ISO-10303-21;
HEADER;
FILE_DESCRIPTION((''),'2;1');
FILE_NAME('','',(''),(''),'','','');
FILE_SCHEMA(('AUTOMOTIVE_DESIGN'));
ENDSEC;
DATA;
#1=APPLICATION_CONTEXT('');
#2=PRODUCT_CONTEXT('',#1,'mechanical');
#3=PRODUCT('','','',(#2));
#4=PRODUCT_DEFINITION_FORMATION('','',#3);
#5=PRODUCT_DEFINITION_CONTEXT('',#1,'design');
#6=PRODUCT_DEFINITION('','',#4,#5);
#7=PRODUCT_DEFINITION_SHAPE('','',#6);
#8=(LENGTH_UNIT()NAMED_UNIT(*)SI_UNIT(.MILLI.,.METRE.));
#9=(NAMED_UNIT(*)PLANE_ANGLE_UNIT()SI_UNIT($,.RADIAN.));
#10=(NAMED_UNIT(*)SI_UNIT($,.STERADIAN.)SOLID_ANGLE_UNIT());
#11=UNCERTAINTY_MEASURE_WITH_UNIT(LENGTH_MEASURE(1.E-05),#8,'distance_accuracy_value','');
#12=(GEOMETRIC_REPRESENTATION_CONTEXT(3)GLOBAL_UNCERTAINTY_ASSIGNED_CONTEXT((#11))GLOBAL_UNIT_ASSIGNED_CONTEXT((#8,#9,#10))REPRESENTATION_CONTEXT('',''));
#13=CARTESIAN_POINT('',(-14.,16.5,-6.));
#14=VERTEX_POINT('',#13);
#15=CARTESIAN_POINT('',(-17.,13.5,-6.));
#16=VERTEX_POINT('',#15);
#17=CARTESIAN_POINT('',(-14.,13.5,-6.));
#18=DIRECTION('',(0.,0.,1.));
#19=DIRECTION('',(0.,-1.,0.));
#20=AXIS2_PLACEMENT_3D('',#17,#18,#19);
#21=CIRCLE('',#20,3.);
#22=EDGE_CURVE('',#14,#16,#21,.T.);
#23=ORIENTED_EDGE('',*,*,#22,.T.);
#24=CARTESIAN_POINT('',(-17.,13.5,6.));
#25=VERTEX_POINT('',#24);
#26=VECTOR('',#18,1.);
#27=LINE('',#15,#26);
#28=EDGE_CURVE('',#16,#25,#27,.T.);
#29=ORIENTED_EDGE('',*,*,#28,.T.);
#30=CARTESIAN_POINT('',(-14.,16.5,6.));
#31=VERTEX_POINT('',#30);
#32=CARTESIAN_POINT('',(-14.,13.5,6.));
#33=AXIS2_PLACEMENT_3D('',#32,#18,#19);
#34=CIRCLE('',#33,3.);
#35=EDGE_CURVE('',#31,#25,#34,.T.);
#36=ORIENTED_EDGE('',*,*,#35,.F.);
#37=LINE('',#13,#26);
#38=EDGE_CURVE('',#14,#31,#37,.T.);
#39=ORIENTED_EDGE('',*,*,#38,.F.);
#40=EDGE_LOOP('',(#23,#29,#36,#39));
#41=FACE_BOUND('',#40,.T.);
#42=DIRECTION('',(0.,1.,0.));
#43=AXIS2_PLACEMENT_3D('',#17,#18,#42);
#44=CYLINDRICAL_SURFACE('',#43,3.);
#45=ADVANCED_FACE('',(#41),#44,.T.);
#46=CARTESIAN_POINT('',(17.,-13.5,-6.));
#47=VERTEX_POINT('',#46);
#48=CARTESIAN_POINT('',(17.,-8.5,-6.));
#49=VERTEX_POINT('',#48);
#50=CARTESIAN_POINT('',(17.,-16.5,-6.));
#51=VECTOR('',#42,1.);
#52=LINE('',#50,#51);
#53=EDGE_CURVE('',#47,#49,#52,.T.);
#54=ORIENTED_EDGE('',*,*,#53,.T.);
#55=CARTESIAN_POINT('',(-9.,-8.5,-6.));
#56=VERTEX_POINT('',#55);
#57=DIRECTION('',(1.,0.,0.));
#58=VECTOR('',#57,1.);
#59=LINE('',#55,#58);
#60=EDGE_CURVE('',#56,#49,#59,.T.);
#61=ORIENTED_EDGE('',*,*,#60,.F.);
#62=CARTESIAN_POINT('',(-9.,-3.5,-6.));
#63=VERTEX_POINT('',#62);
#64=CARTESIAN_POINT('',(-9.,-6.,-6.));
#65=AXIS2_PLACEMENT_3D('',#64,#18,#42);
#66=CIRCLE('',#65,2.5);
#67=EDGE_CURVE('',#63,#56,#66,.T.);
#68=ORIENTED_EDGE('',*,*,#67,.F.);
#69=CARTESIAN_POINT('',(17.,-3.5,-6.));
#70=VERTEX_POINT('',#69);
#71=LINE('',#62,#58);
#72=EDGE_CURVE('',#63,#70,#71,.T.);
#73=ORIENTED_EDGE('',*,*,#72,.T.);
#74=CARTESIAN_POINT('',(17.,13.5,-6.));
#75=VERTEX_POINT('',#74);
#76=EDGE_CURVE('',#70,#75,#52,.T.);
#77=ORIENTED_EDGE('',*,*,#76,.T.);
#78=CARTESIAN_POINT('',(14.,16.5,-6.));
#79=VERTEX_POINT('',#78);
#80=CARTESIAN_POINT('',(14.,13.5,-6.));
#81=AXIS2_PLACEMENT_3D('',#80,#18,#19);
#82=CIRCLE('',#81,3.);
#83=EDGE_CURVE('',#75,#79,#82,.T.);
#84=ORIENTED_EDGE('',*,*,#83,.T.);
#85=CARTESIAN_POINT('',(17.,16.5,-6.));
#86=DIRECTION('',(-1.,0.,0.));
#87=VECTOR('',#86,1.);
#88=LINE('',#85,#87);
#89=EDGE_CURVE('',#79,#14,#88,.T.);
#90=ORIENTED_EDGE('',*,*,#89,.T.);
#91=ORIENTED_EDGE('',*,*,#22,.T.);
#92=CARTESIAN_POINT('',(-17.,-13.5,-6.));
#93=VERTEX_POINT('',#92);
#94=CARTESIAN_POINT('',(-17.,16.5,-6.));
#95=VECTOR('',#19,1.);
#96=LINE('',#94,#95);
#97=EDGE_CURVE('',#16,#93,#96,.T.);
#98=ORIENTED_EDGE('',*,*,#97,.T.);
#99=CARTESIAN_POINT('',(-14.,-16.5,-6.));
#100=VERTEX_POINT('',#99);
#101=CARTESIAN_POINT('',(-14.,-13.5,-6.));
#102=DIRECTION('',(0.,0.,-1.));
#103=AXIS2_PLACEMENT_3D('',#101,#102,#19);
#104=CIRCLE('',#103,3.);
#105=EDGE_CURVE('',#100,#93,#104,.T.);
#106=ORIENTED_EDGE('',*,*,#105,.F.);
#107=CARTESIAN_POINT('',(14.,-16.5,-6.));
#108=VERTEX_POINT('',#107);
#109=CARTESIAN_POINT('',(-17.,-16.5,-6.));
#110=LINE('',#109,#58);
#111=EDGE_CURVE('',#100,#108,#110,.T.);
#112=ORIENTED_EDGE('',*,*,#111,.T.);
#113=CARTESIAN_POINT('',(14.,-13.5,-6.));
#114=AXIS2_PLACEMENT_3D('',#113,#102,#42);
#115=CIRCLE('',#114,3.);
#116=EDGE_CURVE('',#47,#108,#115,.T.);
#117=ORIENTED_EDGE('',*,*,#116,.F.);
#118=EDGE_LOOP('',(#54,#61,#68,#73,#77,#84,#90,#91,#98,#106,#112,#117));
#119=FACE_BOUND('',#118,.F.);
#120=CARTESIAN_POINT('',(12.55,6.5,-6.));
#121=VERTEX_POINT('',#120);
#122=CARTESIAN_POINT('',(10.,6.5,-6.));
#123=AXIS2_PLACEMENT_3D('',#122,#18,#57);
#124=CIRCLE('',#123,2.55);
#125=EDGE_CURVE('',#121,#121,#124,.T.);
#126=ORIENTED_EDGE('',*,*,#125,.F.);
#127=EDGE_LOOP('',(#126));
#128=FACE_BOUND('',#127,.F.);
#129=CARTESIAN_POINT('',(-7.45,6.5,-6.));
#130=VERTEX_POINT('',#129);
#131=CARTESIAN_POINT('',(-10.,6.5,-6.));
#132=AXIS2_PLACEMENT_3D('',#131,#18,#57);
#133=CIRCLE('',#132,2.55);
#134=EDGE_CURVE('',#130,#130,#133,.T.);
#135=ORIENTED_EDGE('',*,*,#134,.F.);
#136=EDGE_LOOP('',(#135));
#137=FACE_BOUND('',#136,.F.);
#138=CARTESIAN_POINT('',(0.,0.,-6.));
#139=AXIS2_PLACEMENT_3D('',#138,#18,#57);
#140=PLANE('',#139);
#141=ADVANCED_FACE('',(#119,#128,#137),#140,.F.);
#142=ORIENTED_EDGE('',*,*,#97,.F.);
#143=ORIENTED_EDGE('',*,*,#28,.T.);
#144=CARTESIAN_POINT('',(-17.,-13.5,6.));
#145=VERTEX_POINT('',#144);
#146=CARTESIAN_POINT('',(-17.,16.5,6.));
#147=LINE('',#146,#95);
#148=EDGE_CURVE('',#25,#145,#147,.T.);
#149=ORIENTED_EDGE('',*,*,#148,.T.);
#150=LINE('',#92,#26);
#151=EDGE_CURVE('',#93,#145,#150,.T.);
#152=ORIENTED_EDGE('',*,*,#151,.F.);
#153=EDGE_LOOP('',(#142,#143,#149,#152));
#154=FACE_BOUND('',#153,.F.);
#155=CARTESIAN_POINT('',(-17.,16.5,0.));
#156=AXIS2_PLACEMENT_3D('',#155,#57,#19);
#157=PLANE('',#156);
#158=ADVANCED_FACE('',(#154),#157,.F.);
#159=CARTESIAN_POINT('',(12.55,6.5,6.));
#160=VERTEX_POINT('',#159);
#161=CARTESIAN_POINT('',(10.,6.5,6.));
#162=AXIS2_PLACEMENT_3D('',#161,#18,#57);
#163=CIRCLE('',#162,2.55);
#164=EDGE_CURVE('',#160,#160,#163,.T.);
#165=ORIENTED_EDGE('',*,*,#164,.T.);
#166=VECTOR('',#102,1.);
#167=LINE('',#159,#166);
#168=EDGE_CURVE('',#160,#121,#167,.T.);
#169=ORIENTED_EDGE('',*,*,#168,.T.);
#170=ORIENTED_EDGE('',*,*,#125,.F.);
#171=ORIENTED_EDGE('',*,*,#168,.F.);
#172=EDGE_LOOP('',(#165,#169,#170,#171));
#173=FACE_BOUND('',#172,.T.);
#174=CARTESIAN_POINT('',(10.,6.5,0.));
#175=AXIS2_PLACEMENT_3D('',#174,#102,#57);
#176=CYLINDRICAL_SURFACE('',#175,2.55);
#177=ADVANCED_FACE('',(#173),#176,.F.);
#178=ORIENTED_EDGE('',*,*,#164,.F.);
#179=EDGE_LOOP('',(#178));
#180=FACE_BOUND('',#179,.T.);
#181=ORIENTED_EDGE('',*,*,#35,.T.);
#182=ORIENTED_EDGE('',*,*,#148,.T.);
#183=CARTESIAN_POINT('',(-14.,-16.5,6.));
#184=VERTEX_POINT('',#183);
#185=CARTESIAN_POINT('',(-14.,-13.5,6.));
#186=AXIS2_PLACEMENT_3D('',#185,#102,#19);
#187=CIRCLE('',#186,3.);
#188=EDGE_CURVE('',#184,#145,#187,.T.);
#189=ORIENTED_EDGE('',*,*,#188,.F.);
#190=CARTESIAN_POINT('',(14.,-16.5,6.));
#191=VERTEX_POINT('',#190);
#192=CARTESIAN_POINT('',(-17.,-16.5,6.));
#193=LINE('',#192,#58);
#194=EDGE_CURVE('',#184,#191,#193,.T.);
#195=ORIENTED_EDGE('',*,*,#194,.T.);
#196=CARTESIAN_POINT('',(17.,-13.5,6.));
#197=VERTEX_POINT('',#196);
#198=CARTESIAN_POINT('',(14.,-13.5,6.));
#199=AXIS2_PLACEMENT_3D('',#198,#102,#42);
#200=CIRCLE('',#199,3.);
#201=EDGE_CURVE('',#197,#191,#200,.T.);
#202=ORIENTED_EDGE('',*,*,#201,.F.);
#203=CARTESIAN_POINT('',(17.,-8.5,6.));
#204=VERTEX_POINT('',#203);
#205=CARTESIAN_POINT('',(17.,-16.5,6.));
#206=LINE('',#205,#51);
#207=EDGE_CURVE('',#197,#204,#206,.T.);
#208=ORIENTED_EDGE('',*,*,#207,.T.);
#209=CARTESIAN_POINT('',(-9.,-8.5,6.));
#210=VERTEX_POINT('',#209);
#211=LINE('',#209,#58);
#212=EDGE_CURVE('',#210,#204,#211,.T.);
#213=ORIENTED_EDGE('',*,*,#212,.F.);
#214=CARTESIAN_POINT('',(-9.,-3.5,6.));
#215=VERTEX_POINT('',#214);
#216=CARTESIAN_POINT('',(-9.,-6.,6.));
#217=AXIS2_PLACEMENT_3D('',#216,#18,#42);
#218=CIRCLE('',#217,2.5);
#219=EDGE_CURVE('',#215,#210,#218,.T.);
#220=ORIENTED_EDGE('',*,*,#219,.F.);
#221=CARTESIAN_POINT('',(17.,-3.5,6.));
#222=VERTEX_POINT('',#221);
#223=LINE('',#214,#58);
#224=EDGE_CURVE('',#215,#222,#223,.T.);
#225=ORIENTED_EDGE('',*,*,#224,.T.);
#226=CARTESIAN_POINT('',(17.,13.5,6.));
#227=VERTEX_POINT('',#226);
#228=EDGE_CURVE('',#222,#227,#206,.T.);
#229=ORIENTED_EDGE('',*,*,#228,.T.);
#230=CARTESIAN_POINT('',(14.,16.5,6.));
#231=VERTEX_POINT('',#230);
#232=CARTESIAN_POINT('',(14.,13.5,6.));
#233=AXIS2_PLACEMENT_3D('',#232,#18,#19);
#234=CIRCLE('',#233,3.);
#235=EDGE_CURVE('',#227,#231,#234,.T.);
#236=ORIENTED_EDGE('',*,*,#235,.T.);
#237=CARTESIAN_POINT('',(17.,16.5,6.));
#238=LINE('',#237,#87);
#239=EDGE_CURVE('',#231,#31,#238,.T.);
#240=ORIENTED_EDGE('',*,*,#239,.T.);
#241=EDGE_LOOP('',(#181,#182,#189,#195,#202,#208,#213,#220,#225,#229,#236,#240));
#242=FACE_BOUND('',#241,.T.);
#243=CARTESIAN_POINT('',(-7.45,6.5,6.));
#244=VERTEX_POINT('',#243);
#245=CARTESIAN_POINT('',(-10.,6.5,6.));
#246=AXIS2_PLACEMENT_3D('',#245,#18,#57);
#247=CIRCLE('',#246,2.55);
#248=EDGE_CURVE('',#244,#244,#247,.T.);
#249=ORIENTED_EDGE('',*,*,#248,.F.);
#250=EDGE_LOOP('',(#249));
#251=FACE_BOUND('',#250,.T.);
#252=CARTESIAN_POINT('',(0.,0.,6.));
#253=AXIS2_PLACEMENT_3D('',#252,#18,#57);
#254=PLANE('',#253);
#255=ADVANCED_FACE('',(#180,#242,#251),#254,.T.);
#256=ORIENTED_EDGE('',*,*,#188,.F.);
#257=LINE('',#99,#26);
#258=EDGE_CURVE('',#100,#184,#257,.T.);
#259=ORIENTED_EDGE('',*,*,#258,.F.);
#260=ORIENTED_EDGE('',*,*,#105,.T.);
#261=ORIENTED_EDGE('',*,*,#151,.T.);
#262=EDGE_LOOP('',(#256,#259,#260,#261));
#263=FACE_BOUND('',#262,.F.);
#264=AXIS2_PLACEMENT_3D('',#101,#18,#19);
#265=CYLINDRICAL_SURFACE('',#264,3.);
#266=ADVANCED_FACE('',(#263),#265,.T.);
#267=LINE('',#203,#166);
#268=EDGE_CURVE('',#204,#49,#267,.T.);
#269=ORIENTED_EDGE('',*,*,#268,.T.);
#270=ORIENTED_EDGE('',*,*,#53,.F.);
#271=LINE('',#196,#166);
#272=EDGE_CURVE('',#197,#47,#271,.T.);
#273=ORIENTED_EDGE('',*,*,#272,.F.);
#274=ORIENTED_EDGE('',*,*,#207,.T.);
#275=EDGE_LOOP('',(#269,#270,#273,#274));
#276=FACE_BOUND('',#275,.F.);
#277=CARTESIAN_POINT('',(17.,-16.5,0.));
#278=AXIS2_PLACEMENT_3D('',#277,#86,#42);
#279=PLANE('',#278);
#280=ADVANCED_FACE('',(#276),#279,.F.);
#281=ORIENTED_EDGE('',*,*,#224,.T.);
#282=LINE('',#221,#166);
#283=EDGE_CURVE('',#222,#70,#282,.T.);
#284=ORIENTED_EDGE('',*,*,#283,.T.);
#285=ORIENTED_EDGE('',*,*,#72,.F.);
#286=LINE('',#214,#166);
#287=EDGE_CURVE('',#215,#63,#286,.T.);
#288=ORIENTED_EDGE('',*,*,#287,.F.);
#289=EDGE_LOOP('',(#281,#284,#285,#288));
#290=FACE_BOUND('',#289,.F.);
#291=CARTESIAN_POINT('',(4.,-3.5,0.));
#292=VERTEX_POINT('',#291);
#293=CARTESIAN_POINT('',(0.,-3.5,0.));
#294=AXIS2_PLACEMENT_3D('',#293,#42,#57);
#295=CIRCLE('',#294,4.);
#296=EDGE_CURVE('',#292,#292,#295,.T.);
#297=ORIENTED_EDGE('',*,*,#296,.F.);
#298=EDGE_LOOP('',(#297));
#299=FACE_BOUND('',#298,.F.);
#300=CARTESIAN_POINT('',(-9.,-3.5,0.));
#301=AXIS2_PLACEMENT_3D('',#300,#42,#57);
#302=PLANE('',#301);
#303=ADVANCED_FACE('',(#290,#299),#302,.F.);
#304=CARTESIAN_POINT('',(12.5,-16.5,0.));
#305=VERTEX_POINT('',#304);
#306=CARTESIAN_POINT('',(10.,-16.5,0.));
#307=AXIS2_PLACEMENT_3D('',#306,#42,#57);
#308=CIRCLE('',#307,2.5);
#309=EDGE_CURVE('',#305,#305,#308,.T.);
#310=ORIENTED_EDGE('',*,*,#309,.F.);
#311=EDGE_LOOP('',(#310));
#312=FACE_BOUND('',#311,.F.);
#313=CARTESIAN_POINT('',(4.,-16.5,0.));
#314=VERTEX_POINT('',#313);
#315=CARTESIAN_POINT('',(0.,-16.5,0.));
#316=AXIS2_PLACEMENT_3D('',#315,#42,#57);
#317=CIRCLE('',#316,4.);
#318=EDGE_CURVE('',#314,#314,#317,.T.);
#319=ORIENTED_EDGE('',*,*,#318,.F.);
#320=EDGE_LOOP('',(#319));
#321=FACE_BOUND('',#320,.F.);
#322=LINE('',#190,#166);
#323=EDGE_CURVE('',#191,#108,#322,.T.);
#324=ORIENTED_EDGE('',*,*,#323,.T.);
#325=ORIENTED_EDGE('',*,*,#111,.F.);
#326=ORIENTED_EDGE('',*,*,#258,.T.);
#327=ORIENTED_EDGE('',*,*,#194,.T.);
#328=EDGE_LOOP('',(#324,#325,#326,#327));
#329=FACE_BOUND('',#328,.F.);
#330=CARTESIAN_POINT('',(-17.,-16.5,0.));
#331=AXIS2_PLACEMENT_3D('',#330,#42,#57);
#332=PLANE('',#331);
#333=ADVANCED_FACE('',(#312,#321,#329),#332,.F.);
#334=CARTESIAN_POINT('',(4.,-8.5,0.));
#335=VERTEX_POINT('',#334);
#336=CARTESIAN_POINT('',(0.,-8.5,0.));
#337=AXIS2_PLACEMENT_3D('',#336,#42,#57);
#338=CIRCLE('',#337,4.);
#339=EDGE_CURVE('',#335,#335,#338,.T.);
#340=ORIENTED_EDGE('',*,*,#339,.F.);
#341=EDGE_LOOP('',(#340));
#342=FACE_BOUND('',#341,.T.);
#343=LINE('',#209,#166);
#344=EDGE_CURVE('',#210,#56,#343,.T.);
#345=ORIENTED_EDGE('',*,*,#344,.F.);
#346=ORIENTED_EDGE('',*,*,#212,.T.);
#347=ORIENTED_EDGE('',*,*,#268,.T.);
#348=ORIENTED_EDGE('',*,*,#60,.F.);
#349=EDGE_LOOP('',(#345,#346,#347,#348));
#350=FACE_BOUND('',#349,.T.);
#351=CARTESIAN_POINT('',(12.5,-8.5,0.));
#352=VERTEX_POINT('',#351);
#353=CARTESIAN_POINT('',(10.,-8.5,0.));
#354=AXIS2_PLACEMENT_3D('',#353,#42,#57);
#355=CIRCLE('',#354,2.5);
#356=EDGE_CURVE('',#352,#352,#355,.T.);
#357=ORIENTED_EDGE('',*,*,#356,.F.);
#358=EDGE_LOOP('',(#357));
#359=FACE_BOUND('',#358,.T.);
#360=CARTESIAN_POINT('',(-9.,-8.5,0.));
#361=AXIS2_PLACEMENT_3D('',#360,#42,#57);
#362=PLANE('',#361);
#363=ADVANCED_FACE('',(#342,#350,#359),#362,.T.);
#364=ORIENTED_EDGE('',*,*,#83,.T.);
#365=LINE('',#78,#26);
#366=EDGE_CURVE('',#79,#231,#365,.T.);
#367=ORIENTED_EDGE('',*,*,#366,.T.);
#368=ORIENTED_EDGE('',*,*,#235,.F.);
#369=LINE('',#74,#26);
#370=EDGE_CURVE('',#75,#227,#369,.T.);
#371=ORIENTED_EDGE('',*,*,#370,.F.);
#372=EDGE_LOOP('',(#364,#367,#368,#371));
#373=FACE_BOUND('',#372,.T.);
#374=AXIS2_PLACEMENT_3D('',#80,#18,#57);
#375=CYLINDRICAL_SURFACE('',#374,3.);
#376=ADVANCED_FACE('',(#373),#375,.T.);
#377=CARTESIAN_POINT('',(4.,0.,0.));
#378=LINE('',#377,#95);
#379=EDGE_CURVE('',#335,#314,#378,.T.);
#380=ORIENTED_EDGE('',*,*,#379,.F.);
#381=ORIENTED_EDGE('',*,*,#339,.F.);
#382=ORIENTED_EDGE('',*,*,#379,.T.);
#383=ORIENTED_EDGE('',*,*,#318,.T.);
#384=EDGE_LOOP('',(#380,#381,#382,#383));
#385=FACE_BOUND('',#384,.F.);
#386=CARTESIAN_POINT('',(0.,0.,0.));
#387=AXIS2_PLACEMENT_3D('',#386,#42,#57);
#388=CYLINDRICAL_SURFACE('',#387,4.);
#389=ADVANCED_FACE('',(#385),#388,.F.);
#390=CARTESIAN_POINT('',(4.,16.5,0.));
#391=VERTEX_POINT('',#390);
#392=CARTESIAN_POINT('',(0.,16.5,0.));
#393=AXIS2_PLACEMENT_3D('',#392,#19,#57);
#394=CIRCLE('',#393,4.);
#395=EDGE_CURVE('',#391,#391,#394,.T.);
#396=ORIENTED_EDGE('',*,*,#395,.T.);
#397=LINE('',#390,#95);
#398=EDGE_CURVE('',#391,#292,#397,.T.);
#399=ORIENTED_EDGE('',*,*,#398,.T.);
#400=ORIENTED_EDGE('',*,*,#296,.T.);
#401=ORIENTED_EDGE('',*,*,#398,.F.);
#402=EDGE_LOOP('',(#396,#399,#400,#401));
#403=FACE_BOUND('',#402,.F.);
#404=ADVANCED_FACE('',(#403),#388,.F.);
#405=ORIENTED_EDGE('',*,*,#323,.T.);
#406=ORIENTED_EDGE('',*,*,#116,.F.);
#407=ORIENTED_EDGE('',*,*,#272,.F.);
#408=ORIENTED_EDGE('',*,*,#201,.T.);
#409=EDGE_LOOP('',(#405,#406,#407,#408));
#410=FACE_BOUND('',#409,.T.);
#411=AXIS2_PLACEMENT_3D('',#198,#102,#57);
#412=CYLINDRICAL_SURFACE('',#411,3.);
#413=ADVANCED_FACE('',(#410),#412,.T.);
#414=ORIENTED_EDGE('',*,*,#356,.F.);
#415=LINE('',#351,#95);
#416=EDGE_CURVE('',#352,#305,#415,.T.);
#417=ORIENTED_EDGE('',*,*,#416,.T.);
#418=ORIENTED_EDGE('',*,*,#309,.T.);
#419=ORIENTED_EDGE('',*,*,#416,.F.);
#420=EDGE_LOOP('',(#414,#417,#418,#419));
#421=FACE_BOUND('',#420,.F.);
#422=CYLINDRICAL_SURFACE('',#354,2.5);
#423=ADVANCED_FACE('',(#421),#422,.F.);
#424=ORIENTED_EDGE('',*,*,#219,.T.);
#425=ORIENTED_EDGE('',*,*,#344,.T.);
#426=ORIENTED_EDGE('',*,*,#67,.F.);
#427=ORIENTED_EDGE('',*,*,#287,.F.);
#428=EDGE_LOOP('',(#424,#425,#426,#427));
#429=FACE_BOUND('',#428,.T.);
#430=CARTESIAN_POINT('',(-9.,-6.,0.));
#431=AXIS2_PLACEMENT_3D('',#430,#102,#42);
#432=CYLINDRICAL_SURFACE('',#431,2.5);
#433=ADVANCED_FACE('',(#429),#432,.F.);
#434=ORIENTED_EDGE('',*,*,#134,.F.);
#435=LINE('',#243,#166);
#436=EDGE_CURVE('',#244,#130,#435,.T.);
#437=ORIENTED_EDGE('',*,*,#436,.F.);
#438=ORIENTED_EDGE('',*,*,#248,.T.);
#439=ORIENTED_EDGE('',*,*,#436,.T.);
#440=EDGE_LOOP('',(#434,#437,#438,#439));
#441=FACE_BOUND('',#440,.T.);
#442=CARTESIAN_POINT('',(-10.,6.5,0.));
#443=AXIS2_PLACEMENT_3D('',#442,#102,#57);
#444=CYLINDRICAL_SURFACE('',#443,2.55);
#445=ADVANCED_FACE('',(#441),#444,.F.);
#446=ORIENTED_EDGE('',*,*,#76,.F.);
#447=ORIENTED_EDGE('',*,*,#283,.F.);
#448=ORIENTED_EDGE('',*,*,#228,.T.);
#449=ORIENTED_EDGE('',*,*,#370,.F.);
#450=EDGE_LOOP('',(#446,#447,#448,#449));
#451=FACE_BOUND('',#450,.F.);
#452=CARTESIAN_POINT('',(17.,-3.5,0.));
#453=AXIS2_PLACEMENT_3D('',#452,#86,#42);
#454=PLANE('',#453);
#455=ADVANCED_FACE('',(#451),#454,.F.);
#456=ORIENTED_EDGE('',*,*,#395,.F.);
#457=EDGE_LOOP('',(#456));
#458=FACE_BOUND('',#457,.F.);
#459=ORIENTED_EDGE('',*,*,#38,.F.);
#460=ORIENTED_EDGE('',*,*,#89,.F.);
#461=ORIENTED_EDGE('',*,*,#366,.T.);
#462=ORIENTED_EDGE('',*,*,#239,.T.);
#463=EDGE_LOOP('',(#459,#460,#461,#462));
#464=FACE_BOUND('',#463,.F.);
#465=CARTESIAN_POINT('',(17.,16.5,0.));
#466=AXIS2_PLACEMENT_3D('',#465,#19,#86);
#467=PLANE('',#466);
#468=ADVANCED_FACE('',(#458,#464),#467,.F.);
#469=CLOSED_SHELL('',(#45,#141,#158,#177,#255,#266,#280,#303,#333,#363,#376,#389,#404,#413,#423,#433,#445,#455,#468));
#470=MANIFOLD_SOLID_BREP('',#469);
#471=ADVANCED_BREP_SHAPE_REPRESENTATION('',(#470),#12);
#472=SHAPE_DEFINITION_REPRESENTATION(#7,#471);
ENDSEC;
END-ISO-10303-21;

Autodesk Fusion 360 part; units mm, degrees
sketch "Sketch1" plane through (0, 0, 0) normal (0, 0, 1) x (1, 0, 0) in component "TR8x2_Nut"
  line L0 (17, 16.5) -> (-17, 16.5)
  line L1 (-17, 16.5) -> (-17, -16.5)
  line L2 (-17, -16.5) -> (17, -16.5)
  line L3 (17, -16.5) -> (17, 16.5)
  line L4 (17, 16.5) -> (-17, -16.5) construction
  line L5 (-17, 16.5) -> (17, -16.5) construction
  line L6 (-9, -8.5) -> (17, -8.5)
  line L7 (-9, -3.5) -> (17, -3.5)
  line L8 (-17, 6.5) -> (17, 6.5) construction
  line L9 (-9, -8.5) -> (-9, -3.5) construction
  arc A0 (-9, -3.5) -> (-9, -8.5) centre (-9, -6) ccw
  circle A1 centre (-10, 6.5) radius 2.55
  line L10 (0, 0) -> (0, 16.5) construction
  circle A2 centre (10, 6.5) radius 2.55
  dimension "d1" = 34
  dimension "d2" = 33
  dimension "d7" = 26
  dimension "d8" = 5.1
  dimension "d9" = 7
  dimension "d10" = 10
  dimension "d11" = 20
  dimension "d12" = 5
extrude "Extrude1" add sketch "Sketch1" along normal mid plane 12 contours L0 L1 L2 L3 L6 L7 A0 in component "TR8x2_Nut"
sketch "Sketch2" plane through (0, 0, 0) normal (0, 1, 0) x (1, 0, 0) in component "TR8x2_Nut"
  circle A0 centre (0, 0) radius 4
  circle A1 centre (10, 0) radius 2.5
  dimension "d15" = 8
  dimension "d16" = 5
  dimension "d17" = 10
extrude "Extrude2" cut sketch "Sketch2" against normal blind 12.9576 from surface at -8.5 contours A1 in component "TR8x2_Nut"
extrude "Extrude3" cut sketch "Sketch2" along normal mid plane 84.5817 contours A0 in component "TR8x2_Nut"
fillet "Fillet1" radius 3 4 edges at (-17, -16.5, 0) (17, -16.5, 0) (17, 16.5, 0) (-17, 16.5, 0) in component "TR8x2_Nut"
component "TR8x2_Nut" placed x (1, 0, 0) y (0, 1, 0) z (0, 0, 1) at (0, 0, 0)
